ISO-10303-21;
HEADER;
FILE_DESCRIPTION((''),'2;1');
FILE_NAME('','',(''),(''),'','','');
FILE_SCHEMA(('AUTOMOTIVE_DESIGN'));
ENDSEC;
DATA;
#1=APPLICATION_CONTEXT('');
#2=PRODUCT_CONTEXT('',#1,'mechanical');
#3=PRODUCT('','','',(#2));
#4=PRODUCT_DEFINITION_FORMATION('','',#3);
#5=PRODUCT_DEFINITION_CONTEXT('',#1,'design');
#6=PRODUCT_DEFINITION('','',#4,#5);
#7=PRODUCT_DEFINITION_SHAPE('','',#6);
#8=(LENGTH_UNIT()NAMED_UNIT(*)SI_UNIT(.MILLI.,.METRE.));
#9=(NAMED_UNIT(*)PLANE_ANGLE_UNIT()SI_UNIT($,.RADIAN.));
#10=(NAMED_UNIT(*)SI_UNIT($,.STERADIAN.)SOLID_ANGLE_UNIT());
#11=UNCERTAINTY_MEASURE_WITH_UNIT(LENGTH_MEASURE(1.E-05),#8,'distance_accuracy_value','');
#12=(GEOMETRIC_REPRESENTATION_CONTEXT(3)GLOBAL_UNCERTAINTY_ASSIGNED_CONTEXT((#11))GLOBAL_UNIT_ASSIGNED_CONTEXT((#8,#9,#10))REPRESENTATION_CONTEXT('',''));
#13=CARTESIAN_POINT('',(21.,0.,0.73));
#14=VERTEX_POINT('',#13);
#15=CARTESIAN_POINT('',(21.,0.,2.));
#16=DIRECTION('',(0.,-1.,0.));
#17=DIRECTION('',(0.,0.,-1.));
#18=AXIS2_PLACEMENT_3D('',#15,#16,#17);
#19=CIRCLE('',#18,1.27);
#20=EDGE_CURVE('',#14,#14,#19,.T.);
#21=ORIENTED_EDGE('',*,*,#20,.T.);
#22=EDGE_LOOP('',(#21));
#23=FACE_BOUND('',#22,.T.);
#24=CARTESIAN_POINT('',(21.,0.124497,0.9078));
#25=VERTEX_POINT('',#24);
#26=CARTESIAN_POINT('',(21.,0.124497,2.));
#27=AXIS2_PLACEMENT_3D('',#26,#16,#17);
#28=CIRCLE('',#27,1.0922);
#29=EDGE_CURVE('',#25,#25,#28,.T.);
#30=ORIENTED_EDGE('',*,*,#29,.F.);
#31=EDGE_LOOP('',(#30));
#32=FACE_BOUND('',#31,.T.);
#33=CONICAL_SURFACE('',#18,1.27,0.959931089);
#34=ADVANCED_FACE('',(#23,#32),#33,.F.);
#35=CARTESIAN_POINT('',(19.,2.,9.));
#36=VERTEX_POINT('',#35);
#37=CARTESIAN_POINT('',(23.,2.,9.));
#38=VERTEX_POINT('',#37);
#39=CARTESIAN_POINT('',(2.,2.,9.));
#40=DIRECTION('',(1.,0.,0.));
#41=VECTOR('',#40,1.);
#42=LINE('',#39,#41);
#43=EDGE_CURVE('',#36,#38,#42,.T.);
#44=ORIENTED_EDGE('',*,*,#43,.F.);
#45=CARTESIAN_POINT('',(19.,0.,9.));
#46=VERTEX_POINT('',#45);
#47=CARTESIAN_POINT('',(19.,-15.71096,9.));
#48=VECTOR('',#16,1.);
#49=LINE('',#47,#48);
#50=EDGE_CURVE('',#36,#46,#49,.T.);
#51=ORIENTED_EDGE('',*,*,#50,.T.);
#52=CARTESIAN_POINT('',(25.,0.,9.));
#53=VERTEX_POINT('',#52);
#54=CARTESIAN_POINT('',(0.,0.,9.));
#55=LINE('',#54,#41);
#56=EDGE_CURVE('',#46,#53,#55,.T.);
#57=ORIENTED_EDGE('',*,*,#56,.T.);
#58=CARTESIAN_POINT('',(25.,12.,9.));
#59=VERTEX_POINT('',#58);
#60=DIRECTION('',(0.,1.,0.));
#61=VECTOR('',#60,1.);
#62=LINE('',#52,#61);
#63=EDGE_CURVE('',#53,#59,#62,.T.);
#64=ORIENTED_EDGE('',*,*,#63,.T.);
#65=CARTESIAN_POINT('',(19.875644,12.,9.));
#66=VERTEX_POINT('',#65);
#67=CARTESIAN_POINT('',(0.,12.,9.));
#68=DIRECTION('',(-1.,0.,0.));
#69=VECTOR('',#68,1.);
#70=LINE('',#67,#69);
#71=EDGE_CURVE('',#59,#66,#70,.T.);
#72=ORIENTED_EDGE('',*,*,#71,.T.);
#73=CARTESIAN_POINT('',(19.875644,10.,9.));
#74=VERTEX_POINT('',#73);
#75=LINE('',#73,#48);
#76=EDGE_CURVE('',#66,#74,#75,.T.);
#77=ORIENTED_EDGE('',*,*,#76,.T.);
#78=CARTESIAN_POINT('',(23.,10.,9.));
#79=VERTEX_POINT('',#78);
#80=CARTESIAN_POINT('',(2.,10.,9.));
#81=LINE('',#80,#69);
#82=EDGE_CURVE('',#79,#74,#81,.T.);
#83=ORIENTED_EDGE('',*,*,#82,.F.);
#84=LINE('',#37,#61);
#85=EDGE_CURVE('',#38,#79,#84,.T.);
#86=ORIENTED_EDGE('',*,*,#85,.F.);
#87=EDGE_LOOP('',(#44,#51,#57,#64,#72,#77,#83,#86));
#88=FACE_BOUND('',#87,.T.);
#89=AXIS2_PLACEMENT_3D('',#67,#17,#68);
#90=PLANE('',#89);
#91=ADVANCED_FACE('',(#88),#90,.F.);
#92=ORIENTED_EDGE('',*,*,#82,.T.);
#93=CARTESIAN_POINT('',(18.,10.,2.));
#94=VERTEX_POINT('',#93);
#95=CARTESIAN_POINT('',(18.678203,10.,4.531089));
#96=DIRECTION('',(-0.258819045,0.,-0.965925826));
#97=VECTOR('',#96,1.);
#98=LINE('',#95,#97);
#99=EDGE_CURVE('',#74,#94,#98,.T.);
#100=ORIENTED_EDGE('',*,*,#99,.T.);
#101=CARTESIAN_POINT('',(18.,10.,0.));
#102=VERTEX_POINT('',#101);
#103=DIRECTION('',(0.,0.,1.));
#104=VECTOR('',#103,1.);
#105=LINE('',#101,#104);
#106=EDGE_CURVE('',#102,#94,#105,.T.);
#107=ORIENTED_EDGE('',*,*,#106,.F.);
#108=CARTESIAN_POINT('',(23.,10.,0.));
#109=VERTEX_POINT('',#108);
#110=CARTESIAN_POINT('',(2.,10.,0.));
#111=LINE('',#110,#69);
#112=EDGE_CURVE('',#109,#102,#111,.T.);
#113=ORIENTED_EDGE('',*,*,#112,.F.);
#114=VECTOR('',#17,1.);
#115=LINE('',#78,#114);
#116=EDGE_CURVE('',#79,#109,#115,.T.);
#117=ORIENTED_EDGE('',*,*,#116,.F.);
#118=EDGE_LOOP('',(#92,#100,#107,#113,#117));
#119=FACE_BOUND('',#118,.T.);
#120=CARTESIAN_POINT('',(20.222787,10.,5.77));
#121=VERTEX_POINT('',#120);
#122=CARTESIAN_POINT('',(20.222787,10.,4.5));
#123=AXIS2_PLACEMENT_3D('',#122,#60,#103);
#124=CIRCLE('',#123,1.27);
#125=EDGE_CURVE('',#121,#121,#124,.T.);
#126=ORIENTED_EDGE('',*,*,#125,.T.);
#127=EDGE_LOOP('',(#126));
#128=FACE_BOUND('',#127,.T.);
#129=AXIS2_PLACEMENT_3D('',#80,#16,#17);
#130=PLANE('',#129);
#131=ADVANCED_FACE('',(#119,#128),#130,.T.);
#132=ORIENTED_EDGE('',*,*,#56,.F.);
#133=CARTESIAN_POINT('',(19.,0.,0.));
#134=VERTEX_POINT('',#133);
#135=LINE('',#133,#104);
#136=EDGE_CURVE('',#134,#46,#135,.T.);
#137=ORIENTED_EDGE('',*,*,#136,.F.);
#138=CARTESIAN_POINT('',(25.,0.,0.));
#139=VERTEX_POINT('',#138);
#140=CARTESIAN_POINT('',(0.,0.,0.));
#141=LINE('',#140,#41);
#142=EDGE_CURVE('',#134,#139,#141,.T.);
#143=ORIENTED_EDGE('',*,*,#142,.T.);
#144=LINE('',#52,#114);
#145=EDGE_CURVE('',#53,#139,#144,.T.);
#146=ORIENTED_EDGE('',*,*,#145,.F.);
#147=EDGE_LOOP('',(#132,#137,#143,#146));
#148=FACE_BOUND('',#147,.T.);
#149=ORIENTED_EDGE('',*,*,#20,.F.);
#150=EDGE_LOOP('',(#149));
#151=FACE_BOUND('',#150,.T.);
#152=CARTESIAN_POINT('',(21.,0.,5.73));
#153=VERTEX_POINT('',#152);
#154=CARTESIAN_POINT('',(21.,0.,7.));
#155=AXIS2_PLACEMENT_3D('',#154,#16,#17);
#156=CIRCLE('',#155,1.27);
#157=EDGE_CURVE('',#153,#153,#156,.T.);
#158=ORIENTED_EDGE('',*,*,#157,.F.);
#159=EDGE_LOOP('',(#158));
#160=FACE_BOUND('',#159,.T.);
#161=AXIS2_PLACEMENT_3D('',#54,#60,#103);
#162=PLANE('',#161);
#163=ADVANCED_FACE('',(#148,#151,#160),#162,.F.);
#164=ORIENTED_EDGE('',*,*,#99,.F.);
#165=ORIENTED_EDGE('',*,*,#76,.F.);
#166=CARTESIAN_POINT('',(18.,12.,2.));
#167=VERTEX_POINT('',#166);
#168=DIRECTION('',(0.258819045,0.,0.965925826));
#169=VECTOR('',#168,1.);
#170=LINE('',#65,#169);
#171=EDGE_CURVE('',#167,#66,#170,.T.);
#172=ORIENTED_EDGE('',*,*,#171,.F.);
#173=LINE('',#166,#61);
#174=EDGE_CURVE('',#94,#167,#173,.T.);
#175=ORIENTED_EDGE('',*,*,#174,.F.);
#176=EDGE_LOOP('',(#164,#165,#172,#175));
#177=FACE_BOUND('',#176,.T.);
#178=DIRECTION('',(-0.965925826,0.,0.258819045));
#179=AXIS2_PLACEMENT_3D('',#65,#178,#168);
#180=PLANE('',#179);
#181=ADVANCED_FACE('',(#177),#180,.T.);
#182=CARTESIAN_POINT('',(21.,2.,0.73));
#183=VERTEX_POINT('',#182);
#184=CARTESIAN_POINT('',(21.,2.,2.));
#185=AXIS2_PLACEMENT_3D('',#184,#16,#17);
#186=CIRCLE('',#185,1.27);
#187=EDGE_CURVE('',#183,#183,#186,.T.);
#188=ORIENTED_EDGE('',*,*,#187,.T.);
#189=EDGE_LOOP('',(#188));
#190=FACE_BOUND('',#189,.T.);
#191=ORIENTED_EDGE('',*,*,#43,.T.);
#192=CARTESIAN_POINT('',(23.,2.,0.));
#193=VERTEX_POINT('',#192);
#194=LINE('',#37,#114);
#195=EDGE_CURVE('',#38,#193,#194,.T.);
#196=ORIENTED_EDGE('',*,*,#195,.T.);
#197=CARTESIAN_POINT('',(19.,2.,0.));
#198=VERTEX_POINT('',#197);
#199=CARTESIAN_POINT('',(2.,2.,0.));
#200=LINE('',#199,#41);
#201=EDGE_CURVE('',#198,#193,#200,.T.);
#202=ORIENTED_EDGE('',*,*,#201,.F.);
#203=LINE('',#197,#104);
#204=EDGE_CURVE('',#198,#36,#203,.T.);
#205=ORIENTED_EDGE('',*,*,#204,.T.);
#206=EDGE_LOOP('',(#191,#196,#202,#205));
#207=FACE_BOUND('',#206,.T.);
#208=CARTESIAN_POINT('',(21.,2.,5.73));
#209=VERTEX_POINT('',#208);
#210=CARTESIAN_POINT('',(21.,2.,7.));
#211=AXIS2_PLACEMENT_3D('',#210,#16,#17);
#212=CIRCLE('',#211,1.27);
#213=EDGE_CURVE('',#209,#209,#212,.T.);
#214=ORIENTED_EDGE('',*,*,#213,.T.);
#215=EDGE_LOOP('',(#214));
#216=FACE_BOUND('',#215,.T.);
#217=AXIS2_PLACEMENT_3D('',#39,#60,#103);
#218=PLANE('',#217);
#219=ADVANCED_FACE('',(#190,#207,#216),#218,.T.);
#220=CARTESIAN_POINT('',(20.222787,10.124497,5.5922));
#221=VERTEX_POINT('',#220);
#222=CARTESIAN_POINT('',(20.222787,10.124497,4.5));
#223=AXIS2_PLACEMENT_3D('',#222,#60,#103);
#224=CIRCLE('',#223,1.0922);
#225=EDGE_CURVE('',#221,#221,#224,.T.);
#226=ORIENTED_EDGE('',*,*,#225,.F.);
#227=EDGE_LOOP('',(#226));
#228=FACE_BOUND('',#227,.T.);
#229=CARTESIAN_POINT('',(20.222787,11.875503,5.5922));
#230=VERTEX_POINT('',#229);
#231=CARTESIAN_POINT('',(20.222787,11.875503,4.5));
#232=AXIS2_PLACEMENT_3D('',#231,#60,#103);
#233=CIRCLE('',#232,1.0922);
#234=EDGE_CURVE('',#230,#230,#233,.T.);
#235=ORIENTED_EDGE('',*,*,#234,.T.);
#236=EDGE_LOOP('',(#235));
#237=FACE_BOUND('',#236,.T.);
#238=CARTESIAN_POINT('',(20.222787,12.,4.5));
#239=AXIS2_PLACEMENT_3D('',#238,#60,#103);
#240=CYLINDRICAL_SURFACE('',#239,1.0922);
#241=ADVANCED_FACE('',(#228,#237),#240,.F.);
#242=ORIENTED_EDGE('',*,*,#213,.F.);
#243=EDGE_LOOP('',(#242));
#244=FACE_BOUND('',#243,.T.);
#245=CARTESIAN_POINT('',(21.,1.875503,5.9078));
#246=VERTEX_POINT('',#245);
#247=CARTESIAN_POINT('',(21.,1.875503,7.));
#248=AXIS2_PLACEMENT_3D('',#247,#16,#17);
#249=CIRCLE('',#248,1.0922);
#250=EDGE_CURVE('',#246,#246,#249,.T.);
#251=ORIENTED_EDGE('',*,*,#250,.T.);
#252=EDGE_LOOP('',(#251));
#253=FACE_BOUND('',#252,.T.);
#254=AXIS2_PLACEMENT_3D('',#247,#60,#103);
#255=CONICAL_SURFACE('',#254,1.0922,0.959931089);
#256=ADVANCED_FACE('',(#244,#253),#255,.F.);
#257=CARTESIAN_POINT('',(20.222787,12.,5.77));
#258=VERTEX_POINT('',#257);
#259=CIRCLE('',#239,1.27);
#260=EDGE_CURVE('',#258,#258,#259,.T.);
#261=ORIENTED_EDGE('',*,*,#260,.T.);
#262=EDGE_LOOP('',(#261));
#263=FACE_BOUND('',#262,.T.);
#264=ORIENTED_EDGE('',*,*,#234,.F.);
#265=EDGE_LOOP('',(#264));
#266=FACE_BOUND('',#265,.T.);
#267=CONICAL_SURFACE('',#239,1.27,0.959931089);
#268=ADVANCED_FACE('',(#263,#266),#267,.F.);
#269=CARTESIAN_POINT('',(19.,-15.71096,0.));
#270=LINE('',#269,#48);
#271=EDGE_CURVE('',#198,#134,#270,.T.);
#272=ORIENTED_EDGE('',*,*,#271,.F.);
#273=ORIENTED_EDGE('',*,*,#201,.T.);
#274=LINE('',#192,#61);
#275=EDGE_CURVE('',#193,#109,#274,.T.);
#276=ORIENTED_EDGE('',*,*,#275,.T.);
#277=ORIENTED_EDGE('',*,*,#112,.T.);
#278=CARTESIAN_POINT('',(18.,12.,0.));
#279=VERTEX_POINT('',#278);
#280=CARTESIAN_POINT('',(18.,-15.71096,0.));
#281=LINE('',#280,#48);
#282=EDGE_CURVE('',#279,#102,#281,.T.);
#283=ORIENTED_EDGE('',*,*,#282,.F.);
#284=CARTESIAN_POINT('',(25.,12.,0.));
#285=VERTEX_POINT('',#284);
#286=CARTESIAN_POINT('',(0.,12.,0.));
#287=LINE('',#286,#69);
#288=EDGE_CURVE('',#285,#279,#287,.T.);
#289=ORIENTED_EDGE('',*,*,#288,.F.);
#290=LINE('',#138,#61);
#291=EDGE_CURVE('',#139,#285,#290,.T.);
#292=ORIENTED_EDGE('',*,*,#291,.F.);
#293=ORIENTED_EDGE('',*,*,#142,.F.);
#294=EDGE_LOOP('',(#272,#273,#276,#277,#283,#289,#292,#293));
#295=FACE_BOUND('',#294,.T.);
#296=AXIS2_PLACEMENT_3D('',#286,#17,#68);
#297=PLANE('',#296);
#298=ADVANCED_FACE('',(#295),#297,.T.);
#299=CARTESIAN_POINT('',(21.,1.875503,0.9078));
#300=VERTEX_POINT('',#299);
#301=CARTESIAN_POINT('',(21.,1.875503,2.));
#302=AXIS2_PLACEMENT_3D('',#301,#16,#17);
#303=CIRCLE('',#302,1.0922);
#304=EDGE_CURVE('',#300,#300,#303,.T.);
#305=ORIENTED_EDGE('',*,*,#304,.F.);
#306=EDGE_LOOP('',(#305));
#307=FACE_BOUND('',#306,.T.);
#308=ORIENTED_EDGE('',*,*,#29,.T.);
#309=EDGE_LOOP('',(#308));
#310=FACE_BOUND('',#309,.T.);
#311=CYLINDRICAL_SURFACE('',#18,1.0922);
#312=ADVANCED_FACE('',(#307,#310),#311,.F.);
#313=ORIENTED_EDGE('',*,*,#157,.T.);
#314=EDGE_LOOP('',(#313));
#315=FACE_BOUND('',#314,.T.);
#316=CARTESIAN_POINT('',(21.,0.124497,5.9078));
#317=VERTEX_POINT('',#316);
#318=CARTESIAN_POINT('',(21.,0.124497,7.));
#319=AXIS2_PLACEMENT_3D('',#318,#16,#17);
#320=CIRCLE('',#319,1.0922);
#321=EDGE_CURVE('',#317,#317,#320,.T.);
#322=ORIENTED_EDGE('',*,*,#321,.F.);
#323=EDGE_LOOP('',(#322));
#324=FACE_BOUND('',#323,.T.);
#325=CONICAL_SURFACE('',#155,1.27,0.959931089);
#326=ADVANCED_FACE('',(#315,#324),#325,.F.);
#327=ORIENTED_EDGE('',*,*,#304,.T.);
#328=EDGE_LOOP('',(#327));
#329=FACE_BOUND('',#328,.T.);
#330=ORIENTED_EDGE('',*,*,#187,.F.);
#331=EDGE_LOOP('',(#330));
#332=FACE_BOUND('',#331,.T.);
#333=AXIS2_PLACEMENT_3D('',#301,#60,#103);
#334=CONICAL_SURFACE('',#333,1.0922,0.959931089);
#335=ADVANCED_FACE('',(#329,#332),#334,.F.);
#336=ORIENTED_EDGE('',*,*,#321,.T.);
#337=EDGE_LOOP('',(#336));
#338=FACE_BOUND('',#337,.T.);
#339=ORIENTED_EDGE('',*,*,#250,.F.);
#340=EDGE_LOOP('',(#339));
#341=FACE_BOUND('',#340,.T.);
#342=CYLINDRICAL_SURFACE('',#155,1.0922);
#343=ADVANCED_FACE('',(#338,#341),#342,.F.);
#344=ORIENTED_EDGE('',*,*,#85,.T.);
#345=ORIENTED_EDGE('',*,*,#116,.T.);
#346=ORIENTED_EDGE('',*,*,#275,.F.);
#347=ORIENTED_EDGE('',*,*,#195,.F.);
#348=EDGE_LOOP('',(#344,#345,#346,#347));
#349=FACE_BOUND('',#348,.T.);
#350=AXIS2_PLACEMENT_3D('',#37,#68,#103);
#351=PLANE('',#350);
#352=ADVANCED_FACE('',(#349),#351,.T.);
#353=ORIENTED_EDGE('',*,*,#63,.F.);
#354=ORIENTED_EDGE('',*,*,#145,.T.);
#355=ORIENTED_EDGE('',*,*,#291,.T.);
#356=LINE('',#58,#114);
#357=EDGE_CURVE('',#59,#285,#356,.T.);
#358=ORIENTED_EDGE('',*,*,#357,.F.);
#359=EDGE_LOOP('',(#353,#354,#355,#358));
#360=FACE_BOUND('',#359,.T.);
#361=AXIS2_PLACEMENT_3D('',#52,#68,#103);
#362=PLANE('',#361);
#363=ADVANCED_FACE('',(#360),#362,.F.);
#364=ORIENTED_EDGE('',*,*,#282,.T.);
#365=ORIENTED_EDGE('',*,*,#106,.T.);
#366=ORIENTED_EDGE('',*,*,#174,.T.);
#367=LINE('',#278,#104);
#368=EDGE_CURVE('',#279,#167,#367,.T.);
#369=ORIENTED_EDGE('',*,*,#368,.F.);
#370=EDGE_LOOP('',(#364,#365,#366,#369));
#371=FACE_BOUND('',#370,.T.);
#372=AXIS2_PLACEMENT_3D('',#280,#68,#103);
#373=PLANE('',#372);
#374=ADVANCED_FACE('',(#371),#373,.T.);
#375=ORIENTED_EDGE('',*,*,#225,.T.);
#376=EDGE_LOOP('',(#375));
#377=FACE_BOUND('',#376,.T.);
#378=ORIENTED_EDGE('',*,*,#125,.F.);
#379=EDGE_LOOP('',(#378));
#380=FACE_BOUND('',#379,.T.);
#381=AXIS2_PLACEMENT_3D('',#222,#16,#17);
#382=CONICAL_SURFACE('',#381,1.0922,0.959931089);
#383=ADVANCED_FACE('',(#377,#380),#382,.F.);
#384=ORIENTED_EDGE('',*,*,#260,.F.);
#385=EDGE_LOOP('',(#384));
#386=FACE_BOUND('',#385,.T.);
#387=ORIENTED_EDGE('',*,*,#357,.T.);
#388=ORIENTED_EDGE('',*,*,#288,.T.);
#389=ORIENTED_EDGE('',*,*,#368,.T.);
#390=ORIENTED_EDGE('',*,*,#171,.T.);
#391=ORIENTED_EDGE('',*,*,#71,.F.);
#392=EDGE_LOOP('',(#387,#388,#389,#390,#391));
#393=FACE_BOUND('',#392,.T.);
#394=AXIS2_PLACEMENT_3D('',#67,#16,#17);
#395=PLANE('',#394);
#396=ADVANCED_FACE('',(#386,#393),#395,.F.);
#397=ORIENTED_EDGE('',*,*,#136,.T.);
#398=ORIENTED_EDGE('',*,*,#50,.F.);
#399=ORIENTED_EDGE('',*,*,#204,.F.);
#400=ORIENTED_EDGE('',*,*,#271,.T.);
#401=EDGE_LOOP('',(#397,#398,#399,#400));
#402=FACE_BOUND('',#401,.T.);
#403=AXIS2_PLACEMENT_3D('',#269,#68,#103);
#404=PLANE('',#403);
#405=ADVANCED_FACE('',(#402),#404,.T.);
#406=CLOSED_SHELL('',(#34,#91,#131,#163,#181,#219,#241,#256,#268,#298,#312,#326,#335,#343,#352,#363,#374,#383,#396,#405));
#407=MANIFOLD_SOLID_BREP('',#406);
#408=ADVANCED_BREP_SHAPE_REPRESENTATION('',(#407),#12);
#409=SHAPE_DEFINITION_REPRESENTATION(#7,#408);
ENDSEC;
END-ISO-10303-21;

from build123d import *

# Parameters (mm, degrees)
SKETCH_1_W                   = 25
SKETCH_1_H                   = 12
SKETCH_1_W_2                 = 21
SKETCH_1_H_2                 = 8
EXTRUDE_1_DEPTH              = 9
CUT_EXTRUDE_1_DEPTH          = 10
CHAMFER_1_SIZE               = 7
CHAMFER_1_SIZE2              = 1.875644347
HOLE_WIZARD_2_561_AT_2_COUNT = 2
HOLE_WIZARD_2_561_AT_2_PITCH = 5


with BuildPart() as part:
    # Эскиз1 → Бобышка-Вытянуть1 (new body)
    with BuildSketch(Plane.XY):
        with Locations((12.5, 6)):
            Rectangle(SKETCH_1_W, SKETCH_1_H)
        with Locations((12.5, 6)):
            Rectangle(SKETCH_1_W_2, SKETCH_1_H_2, mode=Mode.SUBTRACT)
    extrude(amount=EXTRUDE_1_DEPTH)

    # Эскиз2 → Вырез-Вытянуть1 (cut, through all)
    with BuildSketch(Plane.XY.offset(9)):
        Polygon((18, 10), (18, 12), (0, 12), (0, 0), (19, 0), (19, 2), (2, 2), (2, 10), align=None)
    extrude(amount=-CUT_EXTRUDE_1_DEPTH, mode=Mode.SUBTRACT)

    # Фаска1
    chamfer_1_edges = [part.edges().sort_by_distance(p)[0] for p in [
        (18, 11, 9),
    ]]
    chamfer_1_side = [part.faces().sort_by_distance(p)[0] for p in [
        (18, 11, 4.5),
    ]]
    chamfer(chamfer_1_edges, length=CHAMFER_1_SIZE, length2=CHAMFER_1_SIZE2, reference=chamfer_1_side[0])

    # Эскиз5 → Отверстие обработанное метчиком #2-561 (revolve, cut)
    with BuildSketch(Plane(origin=(21, 0, 2), x_dir=(0, 0, -1), z_dir=(1, 0, 0))):
        Polygon((0, 0), (0, 2), (1.27, 2), (1.0922, 1.8755031), (1.0922, 0.1244969), (1.27, 0), align=None)
    hole_wizard_2_561 = revolve(axis=Axis((21, -6.35, 2), (0, 1, 0)), mode=Mode.SUBTRACT)

    # Отверстие обработанное метчиком #2-561 at 2: Отверстие обработанное метчиком #2-561 ×2
    with Locations(*[(0, 0, i * HOLE_WIZARD_2_561_AT_2_PITCH) for i in range(1, HOLE_WIZARD_2_561_AT_2_COUNT)]):
        add(hole_wizard_2_561, mode=Mode.SUBTRACT)

    # Эскиз6 → Отверстие обработанное метчиком #2-562 (revolve, cut)
    with BuildSketch(Plane(origin=(20.222787252, 12, 4.5), x_dir=(0, 0, 1), z_dir=(1, 0, 0))):
        Polygon((0, 0), (0, 2), (1.27, 2), (1.0922, 1.8755031), (1.0922, 0.1244969), (1.27, 0), align=None)
    revolve(axis=Axis((20.222787252, 18.35, 4.5), (0, -1, 0)), mode=Mode.SUBTRACT)


solid = part.part
